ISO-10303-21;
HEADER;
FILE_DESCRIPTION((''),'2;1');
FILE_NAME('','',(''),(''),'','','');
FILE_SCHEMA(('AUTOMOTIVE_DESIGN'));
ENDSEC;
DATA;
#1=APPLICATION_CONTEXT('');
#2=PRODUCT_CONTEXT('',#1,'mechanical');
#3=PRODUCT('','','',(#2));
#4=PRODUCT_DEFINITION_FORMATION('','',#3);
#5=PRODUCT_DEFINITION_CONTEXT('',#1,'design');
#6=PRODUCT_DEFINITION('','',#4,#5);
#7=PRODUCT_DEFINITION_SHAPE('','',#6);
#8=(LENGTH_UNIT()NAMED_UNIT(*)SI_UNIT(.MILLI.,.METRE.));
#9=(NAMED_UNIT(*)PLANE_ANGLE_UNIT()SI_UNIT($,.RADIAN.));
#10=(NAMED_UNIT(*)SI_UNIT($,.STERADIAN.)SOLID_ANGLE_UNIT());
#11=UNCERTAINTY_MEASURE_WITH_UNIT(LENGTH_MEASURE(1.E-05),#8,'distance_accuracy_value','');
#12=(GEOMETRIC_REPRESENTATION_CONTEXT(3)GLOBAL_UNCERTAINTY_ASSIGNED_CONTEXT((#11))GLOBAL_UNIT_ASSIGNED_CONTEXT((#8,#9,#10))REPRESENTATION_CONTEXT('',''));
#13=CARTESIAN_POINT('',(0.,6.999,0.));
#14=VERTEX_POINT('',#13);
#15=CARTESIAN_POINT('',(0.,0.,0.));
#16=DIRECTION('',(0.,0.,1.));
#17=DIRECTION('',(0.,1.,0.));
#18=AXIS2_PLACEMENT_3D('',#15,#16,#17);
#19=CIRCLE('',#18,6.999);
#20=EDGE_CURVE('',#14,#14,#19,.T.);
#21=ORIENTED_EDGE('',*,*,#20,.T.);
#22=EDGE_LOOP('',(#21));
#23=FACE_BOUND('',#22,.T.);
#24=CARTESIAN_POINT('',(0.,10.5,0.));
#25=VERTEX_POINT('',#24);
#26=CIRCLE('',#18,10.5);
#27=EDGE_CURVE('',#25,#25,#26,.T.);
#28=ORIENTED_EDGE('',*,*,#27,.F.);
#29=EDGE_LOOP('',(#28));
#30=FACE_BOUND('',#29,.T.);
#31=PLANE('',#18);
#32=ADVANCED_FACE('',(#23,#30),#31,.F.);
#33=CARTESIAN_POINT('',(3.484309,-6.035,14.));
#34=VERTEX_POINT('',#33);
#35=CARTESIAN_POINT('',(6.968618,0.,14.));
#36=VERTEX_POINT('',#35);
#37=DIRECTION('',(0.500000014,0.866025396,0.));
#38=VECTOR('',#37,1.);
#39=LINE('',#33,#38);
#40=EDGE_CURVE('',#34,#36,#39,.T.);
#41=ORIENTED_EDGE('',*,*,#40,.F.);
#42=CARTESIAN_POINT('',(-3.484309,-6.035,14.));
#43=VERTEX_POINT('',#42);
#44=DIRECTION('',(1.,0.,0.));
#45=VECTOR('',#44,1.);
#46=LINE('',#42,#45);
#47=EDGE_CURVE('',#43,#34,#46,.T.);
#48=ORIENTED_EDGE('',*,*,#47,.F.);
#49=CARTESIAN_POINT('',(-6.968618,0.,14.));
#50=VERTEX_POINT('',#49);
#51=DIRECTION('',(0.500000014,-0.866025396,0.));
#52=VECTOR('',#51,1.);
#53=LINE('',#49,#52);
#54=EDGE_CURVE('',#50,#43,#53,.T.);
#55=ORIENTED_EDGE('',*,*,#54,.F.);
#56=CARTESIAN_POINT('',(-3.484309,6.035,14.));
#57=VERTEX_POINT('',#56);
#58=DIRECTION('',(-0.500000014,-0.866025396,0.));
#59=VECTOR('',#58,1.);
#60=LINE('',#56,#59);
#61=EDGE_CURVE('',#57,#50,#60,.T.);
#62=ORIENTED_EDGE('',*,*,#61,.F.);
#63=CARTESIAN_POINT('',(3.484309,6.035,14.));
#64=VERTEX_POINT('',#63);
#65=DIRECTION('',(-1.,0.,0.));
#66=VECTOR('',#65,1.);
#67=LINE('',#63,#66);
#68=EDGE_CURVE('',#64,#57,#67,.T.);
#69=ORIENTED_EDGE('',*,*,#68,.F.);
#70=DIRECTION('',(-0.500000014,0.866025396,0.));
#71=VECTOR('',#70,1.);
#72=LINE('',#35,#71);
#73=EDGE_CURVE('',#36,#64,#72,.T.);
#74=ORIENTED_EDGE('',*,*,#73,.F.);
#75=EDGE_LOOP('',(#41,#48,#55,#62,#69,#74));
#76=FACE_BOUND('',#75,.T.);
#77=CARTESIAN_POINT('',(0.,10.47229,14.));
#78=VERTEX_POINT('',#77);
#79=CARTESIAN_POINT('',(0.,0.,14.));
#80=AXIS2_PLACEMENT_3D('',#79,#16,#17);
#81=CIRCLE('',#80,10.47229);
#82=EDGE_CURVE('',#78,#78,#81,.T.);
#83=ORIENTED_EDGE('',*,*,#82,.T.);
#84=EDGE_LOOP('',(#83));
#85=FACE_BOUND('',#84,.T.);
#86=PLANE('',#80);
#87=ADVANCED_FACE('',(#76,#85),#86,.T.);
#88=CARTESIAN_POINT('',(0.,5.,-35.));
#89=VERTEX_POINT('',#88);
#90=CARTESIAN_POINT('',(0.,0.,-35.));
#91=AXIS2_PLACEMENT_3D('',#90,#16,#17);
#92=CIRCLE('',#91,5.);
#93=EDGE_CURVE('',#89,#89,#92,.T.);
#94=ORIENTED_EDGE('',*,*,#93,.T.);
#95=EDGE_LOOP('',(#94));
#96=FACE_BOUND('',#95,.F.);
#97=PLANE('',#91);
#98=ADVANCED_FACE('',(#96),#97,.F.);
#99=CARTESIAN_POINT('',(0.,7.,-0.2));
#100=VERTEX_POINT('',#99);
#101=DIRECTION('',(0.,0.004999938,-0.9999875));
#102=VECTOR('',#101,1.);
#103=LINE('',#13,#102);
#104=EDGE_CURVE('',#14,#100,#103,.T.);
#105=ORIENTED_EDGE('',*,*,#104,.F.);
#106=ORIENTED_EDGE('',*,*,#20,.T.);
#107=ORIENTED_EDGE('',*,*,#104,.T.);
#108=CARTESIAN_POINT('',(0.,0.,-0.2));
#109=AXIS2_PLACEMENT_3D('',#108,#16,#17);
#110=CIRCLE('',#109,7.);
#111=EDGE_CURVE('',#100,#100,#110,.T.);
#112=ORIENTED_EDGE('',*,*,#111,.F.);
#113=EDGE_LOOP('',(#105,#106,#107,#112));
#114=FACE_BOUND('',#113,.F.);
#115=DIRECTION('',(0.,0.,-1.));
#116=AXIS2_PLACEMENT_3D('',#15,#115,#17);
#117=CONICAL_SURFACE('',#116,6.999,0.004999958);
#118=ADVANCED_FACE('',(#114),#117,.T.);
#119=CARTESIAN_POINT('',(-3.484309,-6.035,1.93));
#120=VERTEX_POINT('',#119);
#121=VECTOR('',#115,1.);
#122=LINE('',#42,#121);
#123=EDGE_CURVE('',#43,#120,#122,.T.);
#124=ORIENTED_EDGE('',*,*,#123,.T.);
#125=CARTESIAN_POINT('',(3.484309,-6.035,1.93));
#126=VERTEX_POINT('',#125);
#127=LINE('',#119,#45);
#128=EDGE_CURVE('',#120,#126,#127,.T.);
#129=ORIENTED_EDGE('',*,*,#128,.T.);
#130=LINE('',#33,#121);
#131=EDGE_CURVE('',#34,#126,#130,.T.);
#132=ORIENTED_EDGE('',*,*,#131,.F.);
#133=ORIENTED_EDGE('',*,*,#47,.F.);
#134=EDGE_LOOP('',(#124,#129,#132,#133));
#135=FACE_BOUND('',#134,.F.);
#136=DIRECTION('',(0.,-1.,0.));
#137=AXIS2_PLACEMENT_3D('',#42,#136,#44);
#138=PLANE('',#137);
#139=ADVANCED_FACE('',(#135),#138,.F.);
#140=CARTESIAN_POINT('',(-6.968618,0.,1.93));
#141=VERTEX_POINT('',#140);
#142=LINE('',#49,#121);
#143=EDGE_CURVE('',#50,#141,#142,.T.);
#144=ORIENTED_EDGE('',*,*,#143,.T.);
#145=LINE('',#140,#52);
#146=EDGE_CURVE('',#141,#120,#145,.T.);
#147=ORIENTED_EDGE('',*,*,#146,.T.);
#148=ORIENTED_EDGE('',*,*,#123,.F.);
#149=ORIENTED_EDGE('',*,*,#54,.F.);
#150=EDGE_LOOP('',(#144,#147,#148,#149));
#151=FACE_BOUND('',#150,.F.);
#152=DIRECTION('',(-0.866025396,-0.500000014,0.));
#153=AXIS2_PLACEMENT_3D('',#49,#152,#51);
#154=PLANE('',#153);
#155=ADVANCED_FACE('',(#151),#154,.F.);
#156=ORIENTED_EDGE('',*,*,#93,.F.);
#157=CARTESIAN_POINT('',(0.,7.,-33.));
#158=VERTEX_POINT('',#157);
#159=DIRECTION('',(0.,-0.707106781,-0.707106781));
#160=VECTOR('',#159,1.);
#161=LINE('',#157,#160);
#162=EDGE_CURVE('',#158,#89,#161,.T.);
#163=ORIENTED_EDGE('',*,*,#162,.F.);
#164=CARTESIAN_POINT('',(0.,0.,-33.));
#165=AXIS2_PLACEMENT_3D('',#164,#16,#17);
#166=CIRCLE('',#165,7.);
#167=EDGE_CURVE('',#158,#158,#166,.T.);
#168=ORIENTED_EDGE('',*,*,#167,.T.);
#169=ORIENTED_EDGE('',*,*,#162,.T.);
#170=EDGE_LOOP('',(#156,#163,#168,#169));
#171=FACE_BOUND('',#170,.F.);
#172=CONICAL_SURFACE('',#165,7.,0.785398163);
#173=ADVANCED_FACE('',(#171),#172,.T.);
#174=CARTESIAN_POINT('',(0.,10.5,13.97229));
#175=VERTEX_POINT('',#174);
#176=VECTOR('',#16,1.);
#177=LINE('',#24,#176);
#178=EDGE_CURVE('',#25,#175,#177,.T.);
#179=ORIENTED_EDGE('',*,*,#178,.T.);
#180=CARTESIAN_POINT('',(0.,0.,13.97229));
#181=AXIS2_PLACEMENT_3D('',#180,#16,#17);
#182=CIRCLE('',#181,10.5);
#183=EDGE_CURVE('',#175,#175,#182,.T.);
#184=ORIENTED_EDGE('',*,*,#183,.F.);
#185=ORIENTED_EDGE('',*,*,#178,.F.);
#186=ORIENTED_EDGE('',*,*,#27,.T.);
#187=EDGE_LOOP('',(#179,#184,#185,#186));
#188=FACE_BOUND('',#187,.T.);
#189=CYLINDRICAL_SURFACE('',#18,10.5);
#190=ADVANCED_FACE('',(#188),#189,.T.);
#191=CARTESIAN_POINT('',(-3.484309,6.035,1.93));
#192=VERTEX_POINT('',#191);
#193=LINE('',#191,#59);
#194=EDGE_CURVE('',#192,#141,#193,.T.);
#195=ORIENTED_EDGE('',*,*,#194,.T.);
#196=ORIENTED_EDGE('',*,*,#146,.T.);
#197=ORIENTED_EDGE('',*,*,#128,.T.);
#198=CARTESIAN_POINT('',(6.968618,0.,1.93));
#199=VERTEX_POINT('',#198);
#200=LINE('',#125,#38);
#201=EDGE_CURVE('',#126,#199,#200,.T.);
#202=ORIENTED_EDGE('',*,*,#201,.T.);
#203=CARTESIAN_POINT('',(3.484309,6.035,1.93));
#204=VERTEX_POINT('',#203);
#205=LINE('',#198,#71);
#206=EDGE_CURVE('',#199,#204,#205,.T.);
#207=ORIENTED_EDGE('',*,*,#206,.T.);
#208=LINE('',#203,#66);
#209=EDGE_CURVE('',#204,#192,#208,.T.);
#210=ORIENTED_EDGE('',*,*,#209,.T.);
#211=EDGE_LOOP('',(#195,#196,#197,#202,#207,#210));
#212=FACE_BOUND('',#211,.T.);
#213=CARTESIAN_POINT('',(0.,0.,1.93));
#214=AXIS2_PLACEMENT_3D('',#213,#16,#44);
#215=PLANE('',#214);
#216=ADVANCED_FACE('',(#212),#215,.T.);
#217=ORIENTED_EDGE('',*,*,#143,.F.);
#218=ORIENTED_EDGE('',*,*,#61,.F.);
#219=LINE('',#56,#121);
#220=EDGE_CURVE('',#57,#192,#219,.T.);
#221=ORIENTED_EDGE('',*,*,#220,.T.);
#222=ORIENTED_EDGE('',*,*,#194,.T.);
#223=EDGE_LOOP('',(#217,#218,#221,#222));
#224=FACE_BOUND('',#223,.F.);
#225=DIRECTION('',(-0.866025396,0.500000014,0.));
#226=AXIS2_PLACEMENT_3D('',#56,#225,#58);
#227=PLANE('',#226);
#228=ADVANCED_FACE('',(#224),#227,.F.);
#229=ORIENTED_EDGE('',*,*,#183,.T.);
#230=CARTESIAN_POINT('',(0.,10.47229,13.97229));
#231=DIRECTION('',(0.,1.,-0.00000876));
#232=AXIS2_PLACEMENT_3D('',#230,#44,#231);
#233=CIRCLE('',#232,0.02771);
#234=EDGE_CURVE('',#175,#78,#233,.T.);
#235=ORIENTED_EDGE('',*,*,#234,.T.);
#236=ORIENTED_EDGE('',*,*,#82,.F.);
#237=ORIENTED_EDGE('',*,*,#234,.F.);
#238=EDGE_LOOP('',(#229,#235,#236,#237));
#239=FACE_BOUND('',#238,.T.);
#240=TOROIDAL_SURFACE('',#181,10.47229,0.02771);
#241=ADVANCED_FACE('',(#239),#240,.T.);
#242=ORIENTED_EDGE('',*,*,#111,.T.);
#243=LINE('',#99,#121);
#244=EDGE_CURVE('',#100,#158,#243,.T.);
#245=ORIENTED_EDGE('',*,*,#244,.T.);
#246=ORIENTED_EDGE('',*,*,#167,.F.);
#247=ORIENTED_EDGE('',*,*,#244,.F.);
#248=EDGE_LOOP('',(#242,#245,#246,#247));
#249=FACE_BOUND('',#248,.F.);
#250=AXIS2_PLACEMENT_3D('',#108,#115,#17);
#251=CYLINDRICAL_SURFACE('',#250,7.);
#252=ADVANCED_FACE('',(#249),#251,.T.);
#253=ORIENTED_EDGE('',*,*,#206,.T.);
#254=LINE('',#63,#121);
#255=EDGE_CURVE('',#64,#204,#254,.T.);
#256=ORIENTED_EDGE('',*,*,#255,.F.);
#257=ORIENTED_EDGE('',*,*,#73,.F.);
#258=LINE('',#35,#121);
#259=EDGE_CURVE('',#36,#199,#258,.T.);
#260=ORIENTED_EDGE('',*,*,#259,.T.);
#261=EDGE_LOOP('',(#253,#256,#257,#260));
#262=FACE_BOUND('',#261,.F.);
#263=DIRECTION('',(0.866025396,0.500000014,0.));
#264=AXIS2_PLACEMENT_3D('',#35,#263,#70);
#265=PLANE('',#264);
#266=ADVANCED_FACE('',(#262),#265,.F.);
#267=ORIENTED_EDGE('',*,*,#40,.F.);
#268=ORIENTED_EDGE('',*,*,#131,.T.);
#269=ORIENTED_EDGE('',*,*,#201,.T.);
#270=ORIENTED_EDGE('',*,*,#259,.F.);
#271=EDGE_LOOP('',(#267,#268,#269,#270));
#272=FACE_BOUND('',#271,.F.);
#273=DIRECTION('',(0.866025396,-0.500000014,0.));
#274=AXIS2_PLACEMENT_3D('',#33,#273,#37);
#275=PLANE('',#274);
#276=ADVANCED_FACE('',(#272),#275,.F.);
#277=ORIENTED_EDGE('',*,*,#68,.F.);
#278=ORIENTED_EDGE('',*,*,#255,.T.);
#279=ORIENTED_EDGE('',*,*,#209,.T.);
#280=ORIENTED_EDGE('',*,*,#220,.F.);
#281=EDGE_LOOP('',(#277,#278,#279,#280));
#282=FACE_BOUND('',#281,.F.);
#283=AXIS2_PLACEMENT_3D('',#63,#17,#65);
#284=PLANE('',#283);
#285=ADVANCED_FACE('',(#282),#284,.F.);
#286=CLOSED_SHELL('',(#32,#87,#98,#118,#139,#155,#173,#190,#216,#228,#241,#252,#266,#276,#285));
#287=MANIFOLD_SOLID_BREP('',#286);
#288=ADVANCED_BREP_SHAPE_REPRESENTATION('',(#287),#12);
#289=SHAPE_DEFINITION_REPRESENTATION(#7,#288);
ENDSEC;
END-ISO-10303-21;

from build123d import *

# Parameters (mm, degrees)
POCKET_DEPTH = 12.07


with BuildPart() as part:
    # Sketch → Revolve (revolve)
    with BuildSketch(Plane.YZ):
        with BuildLine():
            Line((6.999, 0), (10.5, 0))
            Line((10.5, 0), (10.5, 13.97229))
            ThreePointArc((10.5, 13.97229), (10.491884, 13.991884), (10.47229, 14))
            Line((10.47229, 14), (0, 14))
            Line((0, -35), (0, 14))
            Line((5, -35), (0, -35))
            Line((7, -33), (5, -35))
            Line((7, -0.2), (7, -33))
            Line((6.999, 0), (7, -0.2))
        make_face()
    revolve(axis=Axis((0, 0, 0), (0, 0, 1)))

    # Sketch001 → Pocket (cut)
    with BuildSketch(Plane.XY.offset(14)):
        Polygon((6.968618, 0), (3.484309, 6.035), (-3.484309, 6.035), (-6.968618, 0), (-3.484309, -6.035), (3.484309, -6.035), align=None)
    extrude(amount=-POCKET_DEPTH, mode=Mode.SUBTRACT)


solid = part.part
